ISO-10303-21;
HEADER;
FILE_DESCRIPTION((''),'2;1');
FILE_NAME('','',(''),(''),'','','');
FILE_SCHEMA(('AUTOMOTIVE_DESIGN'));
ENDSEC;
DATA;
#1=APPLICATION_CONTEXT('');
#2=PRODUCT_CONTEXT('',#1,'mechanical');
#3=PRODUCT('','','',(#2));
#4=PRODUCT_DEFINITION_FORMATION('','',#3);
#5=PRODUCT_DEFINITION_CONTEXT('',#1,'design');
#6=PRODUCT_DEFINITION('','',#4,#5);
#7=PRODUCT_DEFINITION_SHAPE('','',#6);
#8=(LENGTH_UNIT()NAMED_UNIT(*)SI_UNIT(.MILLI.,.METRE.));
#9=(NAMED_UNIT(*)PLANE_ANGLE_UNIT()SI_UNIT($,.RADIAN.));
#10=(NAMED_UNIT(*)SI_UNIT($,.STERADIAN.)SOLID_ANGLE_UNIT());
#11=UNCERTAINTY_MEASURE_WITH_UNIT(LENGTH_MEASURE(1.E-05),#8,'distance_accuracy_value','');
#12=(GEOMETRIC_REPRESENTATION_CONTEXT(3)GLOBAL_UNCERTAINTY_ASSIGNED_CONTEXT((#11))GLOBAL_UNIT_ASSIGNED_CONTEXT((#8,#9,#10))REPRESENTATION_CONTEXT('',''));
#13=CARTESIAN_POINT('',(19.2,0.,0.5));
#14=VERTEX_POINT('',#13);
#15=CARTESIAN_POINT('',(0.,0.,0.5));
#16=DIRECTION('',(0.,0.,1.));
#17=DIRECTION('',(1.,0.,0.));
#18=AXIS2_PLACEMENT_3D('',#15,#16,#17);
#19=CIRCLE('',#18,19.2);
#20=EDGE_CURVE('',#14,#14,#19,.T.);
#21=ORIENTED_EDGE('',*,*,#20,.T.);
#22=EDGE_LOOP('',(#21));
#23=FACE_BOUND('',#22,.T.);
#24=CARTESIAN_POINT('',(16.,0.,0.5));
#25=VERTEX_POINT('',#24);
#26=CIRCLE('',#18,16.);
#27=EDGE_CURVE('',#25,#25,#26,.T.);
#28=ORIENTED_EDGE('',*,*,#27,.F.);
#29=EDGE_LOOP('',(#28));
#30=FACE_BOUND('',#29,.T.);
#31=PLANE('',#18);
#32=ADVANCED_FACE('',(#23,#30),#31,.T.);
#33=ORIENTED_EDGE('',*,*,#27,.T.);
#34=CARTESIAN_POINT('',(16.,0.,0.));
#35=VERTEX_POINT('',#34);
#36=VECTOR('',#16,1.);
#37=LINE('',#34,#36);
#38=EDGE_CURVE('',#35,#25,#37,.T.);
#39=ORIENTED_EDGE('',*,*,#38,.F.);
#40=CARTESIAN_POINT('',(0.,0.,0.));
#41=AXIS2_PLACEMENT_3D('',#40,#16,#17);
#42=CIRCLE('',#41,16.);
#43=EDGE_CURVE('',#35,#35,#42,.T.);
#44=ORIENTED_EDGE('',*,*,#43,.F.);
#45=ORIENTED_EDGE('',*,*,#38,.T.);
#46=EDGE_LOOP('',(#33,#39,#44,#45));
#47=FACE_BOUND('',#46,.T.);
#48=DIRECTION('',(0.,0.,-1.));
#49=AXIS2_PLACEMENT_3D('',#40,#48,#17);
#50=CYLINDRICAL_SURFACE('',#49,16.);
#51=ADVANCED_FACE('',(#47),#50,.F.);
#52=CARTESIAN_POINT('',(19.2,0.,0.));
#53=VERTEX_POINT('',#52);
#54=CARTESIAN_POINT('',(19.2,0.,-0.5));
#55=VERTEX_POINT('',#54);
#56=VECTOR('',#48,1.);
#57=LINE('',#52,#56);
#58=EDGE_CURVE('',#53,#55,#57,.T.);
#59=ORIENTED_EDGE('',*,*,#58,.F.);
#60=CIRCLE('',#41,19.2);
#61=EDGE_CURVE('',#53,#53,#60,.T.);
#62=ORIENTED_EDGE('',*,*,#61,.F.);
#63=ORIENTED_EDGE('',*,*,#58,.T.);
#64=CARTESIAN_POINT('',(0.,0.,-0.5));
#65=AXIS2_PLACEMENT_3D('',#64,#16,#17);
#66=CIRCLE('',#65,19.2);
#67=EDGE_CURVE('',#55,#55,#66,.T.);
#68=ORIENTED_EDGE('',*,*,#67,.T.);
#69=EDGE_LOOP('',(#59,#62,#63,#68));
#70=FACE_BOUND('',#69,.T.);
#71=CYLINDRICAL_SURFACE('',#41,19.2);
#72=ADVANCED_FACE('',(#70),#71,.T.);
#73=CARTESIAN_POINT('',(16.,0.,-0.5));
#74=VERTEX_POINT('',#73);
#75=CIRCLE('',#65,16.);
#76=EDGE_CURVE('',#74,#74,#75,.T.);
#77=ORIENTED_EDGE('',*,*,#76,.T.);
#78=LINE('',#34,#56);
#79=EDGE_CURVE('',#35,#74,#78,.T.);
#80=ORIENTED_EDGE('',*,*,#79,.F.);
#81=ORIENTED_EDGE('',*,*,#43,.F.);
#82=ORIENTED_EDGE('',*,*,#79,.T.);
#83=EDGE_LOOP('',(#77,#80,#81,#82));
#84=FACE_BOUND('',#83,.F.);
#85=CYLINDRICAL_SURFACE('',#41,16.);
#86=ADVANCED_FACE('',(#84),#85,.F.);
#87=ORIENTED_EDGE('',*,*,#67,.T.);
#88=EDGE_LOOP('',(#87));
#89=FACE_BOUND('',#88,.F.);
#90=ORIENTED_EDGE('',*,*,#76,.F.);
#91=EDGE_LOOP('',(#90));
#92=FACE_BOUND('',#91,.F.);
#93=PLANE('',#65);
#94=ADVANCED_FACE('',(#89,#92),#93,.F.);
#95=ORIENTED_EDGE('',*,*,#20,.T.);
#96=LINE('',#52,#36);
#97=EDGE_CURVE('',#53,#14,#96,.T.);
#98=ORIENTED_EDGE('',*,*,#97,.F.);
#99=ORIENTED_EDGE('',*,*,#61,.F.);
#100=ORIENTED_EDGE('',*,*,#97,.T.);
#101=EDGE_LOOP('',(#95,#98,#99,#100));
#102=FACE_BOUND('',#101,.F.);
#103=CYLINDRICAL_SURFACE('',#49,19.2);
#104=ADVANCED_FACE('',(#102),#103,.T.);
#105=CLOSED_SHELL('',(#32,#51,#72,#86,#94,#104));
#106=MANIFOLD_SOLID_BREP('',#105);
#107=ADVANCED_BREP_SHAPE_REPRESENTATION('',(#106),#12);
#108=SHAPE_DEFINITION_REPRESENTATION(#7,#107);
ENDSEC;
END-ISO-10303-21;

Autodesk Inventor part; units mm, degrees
ref_plane "YZ Plane" through (0, 0, 0) normal (1, 0, 0) x (0, 1, 0)
ref_plane "XZ Plane" through (0, 0, 0) normal (0, 1, 0) x (-1, 0, 0)
ref_plane "XY Plane" through (0, 0, 0) normal (0, 0, 1) x (1, 0, 0)
sketch "Эскиз1" plane through (0, 0, 0) normal (0, 0, 1) x (1, 0, 0)
  circle A0 centre (0, 0) radius 16
  circle A1 centre (0, 0) radius 19.2
  dimension "d0" = 32
  dimension "d1" = 38.4
extrude "Выдавливание1" add sketch "Эскиз1" along normal mid plane 1
properties part number "68. Шайба упорная"
